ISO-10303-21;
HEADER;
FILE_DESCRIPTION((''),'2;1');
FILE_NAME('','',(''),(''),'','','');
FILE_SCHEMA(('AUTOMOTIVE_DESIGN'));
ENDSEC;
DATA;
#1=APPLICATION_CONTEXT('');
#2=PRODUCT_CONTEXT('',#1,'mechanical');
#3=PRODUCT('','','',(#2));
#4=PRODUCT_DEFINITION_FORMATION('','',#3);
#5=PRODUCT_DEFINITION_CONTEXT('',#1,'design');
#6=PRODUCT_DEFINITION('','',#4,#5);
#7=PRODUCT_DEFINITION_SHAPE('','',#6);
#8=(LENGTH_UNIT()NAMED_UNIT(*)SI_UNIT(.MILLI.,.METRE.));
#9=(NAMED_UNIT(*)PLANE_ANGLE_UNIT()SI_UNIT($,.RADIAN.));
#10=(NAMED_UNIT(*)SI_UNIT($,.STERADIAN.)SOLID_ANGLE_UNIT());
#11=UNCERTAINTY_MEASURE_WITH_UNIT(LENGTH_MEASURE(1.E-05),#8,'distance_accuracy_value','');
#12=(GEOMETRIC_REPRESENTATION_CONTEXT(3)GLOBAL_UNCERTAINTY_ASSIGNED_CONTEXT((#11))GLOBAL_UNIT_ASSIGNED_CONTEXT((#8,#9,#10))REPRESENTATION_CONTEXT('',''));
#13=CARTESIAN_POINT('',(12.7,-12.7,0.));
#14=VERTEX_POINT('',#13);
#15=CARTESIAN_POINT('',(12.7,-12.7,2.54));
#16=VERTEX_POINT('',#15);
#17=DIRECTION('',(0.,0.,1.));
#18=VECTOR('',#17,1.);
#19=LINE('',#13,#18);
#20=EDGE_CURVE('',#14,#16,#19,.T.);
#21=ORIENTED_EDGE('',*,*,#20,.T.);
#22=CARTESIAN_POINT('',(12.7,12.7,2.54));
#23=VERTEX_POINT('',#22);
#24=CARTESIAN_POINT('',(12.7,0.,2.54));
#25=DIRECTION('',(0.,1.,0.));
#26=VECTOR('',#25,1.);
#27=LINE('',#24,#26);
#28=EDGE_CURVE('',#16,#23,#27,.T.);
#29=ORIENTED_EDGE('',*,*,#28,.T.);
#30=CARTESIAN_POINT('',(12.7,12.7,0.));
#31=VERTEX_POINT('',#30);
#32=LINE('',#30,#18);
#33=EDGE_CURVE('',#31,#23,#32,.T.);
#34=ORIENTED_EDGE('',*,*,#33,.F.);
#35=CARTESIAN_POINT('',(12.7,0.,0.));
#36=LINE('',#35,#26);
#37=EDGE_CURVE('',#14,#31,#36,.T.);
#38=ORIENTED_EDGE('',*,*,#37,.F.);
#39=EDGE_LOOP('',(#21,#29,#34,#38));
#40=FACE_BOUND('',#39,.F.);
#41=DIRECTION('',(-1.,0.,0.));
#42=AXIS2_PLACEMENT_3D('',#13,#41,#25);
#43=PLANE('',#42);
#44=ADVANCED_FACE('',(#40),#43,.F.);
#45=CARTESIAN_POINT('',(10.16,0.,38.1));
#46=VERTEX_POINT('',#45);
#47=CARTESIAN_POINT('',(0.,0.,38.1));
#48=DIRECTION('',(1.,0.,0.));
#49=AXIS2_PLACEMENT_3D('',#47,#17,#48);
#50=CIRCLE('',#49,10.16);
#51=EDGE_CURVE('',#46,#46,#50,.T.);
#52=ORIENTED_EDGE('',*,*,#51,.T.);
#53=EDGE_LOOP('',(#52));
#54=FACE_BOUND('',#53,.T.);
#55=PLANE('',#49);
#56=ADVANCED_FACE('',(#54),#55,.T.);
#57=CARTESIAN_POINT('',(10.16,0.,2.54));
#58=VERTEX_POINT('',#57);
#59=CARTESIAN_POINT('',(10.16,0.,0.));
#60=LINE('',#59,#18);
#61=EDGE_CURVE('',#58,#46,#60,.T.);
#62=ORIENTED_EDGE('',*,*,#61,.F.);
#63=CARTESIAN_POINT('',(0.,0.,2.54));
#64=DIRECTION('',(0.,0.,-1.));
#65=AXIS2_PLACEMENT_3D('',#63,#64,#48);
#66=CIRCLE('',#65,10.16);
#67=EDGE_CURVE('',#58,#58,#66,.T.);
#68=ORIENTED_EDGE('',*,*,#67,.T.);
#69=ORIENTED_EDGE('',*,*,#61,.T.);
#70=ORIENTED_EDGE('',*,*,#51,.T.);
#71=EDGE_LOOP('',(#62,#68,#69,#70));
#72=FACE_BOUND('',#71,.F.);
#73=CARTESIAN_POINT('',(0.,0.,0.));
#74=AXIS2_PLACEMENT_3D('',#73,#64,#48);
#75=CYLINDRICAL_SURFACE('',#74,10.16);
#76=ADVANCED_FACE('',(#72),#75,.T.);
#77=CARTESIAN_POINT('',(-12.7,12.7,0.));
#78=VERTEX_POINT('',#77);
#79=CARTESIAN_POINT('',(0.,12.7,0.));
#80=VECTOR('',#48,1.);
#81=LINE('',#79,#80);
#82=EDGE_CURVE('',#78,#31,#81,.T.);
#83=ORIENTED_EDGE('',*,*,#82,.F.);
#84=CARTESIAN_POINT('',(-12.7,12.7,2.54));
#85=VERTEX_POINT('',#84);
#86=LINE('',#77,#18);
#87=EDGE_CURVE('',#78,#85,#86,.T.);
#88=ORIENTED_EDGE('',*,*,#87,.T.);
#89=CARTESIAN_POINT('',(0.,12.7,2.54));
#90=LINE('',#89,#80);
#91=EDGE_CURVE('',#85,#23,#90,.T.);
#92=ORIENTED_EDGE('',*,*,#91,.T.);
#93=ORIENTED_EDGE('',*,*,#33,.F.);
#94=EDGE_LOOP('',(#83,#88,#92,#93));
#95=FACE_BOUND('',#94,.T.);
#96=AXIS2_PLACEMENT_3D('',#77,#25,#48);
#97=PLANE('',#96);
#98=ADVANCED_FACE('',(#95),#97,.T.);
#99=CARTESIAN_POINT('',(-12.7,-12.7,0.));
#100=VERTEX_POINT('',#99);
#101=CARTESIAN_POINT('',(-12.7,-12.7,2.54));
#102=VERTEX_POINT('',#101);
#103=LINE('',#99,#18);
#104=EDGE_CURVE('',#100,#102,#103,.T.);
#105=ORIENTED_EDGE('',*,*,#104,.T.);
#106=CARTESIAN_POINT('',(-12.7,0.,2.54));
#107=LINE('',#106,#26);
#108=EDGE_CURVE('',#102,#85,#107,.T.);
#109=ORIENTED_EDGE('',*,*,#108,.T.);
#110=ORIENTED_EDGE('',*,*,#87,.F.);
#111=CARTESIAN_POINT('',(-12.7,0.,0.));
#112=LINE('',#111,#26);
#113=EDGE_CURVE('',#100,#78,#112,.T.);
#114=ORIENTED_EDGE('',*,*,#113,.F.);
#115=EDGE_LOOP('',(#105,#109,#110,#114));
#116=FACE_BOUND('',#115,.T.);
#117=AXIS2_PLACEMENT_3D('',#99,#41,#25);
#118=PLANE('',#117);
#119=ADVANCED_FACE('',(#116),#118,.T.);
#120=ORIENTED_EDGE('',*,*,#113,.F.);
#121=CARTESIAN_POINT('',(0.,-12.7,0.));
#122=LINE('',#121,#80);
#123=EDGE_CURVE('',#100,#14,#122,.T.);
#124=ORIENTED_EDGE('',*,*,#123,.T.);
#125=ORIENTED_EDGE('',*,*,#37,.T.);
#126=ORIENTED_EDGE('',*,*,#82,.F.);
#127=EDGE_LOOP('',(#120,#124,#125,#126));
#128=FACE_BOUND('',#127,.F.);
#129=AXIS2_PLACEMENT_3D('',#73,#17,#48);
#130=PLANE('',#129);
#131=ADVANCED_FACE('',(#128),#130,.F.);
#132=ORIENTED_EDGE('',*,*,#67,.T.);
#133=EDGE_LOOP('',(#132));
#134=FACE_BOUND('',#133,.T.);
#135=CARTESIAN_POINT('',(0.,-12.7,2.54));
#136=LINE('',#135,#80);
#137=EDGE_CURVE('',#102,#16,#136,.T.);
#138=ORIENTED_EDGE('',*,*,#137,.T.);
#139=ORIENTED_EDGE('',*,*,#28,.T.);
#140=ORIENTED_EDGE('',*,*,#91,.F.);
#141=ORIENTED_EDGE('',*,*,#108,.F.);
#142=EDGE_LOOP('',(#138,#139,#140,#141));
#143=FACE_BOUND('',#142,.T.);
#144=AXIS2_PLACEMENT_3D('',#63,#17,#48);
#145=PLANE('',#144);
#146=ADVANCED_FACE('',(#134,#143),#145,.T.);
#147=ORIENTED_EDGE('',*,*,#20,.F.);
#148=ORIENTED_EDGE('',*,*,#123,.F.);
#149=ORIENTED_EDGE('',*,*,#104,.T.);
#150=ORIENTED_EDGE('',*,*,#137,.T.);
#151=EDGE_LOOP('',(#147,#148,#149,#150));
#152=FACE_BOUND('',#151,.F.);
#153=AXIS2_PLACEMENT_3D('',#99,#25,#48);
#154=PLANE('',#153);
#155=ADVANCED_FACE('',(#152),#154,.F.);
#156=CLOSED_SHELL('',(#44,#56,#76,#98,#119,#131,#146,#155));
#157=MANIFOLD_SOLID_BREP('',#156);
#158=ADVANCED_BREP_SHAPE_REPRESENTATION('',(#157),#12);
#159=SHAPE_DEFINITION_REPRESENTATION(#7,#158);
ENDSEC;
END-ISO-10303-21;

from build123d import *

# Parameters (mm, degrees)
F0_R     = 10.16
F1_DEPTH = 38.1
F2_W     = 25.4
F2_H     = 25.4
F3_DEPTH = 2.54


with BuildPart() as f1:
    # F0 (on Top) → F1 (new body)
    with BuildSketch(Plane.XY):
        Circle(F0_R)
    extrude(amount=F1_DEPTH)

    # F2 (on Top) → F3 (join)
    with BuildSketch(Plane.XY):
        Rectangle(F2_W, F2_H)
    extrude(amount=F3_DEPTH)


solid = f1.part
